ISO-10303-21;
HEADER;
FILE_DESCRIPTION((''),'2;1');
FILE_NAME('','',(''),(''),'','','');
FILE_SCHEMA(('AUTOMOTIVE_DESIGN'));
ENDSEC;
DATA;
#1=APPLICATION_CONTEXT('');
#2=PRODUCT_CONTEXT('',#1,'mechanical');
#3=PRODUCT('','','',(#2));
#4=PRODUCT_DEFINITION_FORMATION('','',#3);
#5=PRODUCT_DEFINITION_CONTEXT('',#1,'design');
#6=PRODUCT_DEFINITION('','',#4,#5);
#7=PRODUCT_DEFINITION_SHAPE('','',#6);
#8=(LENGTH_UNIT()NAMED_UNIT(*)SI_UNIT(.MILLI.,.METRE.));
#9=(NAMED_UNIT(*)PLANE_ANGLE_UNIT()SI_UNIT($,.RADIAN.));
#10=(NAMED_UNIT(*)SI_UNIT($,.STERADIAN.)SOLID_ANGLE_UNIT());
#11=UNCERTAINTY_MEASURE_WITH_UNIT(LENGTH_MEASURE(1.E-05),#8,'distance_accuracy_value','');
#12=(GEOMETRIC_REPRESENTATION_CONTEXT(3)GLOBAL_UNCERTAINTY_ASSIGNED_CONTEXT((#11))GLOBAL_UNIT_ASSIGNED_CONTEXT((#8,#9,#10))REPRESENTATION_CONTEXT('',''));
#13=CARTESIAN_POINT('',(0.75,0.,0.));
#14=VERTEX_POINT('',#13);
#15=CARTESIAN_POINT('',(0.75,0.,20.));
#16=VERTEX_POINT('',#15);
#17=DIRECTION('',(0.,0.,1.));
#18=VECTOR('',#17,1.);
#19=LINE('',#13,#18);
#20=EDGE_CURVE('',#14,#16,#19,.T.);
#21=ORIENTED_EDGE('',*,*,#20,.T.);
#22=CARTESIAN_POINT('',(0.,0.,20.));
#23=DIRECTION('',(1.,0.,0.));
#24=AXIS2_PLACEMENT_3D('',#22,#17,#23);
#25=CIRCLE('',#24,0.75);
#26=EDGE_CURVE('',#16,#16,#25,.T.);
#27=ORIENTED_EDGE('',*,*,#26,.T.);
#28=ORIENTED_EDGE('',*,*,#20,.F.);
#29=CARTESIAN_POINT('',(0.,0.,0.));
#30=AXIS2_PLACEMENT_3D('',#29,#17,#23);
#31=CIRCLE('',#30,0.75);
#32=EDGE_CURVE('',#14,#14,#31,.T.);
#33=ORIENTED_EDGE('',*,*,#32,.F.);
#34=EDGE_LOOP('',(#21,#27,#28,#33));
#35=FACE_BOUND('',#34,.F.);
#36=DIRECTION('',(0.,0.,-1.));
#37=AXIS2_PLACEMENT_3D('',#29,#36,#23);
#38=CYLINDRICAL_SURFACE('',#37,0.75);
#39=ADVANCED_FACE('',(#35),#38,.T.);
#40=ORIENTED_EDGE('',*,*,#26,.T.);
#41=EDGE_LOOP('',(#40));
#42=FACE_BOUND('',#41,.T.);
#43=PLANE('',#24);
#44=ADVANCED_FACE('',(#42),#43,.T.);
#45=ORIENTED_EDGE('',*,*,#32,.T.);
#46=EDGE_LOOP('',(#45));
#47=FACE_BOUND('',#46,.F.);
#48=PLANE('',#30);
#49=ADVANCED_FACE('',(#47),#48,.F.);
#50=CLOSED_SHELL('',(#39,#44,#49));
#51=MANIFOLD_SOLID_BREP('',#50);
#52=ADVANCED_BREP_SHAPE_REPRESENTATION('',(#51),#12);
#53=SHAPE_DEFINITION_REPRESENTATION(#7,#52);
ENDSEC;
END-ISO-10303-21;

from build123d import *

# Parameters (mm, degrees)
SKETCH1_R           = 0.75
BOSS_EXTRUDE1_DEPTH = 20


with BuildPart() as part:
    # Sketch1 → Boss-Extrude1 (new body)
    with BuildSketch(Plane.XY):
        Circle(SKETCH1_R)
    extrude(amount=BOSS_EXTRUDE1_DEPTH)


solid = part.part
